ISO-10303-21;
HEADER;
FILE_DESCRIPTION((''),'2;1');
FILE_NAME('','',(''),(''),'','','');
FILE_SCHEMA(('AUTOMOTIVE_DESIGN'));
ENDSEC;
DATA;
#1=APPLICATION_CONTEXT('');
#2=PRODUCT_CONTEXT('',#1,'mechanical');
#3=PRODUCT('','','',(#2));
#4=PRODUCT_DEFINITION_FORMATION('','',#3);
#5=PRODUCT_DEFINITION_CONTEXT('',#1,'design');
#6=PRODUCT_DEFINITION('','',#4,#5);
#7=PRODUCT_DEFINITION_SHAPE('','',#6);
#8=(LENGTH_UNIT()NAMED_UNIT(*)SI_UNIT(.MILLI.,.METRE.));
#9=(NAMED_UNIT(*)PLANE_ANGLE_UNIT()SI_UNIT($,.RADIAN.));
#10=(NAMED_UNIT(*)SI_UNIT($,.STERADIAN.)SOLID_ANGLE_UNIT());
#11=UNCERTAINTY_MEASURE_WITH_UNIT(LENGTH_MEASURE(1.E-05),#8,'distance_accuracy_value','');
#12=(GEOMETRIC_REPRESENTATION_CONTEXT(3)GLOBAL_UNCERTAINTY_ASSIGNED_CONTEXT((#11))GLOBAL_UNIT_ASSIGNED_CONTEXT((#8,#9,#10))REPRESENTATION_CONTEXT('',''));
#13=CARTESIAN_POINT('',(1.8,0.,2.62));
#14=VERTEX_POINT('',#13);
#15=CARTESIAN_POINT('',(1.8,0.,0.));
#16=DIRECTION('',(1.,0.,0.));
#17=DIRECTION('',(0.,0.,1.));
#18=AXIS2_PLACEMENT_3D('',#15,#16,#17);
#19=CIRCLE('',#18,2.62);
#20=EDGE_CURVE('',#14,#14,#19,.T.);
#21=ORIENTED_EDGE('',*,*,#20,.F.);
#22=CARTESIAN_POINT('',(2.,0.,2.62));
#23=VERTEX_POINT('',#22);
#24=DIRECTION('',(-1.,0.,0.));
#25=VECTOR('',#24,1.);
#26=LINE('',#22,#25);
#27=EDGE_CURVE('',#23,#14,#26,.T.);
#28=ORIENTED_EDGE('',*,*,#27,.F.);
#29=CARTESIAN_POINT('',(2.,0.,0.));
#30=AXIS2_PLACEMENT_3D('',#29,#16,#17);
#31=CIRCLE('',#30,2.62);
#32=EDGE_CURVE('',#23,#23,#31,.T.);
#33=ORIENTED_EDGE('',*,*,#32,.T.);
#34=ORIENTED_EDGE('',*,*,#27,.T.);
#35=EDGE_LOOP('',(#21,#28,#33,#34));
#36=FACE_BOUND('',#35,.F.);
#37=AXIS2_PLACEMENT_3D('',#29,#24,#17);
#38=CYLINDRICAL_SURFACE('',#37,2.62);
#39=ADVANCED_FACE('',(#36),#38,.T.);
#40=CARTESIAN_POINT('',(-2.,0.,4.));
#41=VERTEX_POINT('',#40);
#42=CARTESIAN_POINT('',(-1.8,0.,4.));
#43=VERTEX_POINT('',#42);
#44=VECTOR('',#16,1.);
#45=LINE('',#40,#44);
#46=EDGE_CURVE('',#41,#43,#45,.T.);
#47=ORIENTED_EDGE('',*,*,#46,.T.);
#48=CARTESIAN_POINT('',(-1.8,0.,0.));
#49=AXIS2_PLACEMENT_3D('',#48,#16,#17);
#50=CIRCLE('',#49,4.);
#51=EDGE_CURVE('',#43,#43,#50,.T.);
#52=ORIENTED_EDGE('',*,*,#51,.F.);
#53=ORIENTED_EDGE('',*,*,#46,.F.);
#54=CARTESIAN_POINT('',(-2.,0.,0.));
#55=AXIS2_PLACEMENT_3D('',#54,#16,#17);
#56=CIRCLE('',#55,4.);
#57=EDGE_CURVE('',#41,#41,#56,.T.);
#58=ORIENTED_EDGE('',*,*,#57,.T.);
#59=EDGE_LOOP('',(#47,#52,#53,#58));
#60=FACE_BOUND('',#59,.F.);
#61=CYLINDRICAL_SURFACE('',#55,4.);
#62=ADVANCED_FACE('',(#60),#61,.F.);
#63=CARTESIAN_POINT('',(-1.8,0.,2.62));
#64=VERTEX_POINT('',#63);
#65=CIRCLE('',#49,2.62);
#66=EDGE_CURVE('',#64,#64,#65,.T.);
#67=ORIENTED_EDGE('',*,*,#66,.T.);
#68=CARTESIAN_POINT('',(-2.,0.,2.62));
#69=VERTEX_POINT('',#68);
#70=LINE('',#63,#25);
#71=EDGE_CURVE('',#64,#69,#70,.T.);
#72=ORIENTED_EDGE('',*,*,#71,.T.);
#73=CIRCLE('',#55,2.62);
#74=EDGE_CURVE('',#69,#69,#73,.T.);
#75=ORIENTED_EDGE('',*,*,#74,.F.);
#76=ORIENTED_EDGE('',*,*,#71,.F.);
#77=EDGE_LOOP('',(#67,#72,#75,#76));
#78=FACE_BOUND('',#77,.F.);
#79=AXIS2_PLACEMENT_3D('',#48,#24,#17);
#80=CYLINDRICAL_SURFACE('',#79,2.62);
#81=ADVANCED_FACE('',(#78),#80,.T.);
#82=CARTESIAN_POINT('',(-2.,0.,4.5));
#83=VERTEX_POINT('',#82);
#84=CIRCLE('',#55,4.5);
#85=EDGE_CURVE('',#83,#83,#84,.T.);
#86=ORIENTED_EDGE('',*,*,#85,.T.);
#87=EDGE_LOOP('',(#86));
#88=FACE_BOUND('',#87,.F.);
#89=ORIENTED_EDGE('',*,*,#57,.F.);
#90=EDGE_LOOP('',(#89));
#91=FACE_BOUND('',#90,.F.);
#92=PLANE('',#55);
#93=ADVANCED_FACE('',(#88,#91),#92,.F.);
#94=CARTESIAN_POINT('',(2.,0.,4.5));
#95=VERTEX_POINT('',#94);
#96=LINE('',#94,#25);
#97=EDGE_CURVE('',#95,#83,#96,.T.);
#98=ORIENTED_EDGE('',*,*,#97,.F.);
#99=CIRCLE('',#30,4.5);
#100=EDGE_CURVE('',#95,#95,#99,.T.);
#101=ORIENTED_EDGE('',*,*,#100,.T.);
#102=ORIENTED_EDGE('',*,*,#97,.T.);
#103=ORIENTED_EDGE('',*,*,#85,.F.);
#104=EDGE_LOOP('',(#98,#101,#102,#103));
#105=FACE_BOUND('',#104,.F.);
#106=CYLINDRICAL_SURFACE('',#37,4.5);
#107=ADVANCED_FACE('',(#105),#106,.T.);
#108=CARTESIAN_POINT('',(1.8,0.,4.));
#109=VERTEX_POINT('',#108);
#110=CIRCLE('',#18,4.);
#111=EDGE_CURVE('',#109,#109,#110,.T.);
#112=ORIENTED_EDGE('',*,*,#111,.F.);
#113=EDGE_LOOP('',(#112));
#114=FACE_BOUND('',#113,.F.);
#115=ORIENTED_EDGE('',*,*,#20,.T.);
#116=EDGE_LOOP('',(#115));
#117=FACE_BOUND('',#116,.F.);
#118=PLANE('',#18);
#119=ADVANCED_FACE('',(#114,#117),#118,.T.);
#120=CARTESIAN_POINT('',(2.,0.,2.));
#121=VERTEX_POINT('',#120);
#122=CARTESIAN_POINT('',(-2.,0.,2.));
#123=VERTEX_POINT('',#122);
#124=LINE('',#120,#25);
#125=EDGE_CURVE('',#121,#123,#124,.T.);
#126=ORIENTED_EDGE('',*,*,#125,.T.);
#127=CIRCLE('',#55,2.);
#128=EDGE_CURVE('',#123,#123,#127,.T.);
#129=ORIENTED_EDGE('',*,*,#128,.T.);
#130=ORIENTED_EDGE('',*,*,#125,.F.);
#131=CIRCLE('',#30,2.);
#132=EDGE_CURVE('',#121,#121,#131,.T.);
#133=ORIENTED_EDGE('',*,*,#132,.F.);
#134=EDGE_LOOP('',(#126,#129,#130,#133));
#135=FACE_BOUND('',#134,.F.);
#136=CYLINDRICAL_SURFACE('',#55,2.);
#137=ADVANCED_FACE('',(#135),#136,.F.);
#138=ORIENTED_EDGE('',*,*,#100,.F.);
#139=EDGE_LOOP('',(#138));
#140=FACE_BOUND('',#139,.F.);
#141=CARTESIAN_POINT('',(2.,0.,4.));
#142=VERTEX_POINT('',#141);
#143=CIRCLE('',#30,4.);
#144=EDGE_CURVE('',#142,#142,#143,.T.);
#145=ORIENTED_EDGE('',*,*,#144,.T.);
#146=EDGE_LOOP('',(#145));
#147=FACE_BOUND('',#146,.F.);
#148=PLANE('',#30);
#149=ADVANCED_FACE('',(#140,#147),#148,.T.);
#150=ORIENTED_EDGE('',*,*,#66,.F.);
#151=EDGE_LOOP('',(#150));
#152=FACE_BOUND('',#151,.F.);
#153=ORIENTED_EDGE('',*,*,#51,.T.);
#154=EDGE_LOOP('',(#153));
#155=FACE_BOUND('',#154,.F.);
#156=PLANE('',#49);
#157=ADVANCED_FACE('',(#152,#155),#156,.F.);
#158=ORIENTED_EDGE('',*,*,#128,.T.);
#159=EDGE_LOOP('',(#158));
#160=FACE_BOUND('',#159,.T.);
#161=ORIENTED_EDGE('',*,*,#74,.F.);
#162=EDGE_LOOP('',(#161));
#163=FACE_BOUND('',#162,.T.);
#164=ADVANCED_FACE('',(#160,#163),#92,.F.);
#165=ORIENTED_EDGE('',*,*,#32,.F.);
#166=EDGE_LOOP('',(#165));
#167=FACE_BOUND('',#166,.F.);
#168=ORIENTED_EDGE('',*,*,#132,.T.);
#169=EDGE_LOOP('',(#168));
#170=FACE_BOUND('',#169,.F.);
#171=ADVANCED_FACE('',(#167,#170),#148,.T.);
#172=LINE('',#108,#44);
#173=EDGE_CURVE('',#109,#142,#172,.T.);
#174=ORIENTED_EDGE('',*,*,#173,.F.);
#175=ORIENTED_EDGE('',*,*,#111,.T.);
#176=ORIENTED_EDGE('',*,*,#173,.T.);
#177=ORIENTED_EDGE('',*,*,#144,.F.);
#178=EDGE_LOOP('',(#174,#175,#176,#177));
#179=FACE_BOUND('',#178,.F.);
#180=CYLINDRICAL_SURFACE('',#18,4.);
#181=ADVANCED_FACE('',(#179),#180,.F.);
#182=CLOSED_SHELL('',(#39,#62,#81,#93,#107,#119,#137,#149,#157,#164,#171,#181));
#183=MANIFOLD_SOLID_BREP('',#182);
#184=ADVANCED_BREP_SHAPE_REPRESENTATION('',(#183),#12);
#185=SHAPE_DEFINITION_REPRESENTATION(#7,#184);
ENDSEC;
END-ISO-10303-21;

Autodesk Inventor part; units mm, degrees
ref_plane "YZ Plane" through (0, 0, 0) normal (1, 0, 0) x (0, 1, 0)
ref_plane "XZ Plane" through (0, 0, 0) normal (0, 1, 0) x (-1, 0, 0)
ref_plane "XY Plane" through (0, 0, 0) normal (0, 0, 1) x (1, 0, 0)
sketch "Skizze1" plane through (0, 0, 0) normal (0, 1, 0) x (-1, 0, 0)
  line L0 (2, 0) -> (-2, 0)
  line L1 (2, 2) -> (-2, 2)
  line L2 (-2, 2) -> (-2, 2.62)
  line L3 (-2, 2.62) -> (-1.8, 2.62)
  line L4 (-1.8, 2.62) -> (-1.8, 4)
  line L5 (-1.8, 4) -> (-2, 4)
  line L6 (-2, 4) -> (-2, 4.5)
  line L7 (-2, 4.5) -> (2, 4.5)
  line L8 (2, 4.5) -> (2, 4)
  line L9 (2, 4) -> (1.8, 4)
  line L10 (1.8, 4) -> (1.8, 2.62)
  line L11 (1.8, 2.62) -> (2, 2.62)
  line L12 (2, 2) -> (2, 2.62)
  line L13 (0, -0.9) -> (0, 5.4) projected
  point P0 (0, 0)
  dimension "d0" = 4
  dimension "d1" = 9
  dimension "d2" = 4
  dimension "d3" = 0.2
  dimension "d4" = 0.62
  dimension "d5" = 0.5
revolve "Umdrehung1" add sketch "Skizze1" angle 360 about axis through (-2, 0, 0) along (1, 0, 0)
properties part number "Kugellager 684-2RS" material "Stahl, weich, geschweißt"
